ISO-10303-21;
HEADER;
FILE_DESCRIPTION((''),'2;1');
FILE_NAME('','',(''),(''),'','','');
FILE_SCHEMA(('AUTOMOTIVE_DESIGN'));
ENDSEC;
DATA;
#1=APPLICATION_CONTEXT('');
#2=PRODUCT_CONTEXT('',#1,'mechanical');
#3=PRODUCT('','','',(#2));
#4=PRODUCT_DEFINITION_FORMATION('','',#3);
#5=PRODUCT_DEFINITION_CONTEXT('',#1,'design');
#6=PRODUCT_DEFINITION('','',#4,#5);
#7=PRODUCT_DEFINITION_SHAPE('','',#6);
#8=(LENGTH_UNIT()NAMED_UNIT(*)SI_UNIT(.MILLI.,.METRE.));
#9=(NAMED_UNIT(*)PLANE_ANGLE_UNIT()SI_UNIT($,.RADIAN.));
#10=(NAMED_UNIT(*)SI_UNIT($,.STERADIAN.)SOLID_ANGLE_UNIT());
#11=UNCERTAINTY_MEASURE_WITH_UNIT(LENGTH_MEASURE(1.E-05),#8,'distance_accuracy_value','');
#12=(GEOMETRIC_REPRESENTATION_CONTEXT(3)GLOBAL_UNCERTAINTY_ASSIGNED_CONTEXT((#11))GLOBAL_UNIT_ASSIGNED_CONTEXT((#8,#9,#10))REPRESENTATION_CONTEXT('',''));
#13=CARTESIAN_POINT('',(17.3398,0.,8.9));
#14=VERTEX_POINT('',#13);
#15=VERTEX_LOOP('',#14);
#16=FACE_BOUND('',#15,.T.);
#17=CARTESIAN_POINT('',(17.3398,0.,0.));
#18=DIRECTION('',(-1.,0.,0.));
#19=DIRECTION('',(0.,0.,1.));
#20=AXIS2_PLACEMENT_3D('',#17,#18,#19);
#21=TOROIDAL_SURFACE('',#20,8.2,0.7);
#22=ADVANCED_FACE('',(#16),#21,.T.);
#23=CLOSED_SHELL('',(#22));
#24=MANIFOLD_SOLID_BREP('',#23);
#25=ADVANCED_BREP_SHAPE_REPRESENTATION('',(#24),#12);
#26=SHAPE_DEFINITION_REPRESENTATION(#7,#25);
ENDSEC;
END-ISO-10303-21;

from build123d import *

# Parameters (mm, degrees)
SKETCH3_R = 0.699999997


with BuildPart() as part:
    # Sketch3 → Revolve1 (revolve)
    with BuildSketch(Plane.XY):
        with Locations((17.339799839, 8.199999983)):
            Circle(SKETCH3_R)
    revolve(axis=Axis((0, 0, 0), (1, 0, 0)))


solid = part.part
